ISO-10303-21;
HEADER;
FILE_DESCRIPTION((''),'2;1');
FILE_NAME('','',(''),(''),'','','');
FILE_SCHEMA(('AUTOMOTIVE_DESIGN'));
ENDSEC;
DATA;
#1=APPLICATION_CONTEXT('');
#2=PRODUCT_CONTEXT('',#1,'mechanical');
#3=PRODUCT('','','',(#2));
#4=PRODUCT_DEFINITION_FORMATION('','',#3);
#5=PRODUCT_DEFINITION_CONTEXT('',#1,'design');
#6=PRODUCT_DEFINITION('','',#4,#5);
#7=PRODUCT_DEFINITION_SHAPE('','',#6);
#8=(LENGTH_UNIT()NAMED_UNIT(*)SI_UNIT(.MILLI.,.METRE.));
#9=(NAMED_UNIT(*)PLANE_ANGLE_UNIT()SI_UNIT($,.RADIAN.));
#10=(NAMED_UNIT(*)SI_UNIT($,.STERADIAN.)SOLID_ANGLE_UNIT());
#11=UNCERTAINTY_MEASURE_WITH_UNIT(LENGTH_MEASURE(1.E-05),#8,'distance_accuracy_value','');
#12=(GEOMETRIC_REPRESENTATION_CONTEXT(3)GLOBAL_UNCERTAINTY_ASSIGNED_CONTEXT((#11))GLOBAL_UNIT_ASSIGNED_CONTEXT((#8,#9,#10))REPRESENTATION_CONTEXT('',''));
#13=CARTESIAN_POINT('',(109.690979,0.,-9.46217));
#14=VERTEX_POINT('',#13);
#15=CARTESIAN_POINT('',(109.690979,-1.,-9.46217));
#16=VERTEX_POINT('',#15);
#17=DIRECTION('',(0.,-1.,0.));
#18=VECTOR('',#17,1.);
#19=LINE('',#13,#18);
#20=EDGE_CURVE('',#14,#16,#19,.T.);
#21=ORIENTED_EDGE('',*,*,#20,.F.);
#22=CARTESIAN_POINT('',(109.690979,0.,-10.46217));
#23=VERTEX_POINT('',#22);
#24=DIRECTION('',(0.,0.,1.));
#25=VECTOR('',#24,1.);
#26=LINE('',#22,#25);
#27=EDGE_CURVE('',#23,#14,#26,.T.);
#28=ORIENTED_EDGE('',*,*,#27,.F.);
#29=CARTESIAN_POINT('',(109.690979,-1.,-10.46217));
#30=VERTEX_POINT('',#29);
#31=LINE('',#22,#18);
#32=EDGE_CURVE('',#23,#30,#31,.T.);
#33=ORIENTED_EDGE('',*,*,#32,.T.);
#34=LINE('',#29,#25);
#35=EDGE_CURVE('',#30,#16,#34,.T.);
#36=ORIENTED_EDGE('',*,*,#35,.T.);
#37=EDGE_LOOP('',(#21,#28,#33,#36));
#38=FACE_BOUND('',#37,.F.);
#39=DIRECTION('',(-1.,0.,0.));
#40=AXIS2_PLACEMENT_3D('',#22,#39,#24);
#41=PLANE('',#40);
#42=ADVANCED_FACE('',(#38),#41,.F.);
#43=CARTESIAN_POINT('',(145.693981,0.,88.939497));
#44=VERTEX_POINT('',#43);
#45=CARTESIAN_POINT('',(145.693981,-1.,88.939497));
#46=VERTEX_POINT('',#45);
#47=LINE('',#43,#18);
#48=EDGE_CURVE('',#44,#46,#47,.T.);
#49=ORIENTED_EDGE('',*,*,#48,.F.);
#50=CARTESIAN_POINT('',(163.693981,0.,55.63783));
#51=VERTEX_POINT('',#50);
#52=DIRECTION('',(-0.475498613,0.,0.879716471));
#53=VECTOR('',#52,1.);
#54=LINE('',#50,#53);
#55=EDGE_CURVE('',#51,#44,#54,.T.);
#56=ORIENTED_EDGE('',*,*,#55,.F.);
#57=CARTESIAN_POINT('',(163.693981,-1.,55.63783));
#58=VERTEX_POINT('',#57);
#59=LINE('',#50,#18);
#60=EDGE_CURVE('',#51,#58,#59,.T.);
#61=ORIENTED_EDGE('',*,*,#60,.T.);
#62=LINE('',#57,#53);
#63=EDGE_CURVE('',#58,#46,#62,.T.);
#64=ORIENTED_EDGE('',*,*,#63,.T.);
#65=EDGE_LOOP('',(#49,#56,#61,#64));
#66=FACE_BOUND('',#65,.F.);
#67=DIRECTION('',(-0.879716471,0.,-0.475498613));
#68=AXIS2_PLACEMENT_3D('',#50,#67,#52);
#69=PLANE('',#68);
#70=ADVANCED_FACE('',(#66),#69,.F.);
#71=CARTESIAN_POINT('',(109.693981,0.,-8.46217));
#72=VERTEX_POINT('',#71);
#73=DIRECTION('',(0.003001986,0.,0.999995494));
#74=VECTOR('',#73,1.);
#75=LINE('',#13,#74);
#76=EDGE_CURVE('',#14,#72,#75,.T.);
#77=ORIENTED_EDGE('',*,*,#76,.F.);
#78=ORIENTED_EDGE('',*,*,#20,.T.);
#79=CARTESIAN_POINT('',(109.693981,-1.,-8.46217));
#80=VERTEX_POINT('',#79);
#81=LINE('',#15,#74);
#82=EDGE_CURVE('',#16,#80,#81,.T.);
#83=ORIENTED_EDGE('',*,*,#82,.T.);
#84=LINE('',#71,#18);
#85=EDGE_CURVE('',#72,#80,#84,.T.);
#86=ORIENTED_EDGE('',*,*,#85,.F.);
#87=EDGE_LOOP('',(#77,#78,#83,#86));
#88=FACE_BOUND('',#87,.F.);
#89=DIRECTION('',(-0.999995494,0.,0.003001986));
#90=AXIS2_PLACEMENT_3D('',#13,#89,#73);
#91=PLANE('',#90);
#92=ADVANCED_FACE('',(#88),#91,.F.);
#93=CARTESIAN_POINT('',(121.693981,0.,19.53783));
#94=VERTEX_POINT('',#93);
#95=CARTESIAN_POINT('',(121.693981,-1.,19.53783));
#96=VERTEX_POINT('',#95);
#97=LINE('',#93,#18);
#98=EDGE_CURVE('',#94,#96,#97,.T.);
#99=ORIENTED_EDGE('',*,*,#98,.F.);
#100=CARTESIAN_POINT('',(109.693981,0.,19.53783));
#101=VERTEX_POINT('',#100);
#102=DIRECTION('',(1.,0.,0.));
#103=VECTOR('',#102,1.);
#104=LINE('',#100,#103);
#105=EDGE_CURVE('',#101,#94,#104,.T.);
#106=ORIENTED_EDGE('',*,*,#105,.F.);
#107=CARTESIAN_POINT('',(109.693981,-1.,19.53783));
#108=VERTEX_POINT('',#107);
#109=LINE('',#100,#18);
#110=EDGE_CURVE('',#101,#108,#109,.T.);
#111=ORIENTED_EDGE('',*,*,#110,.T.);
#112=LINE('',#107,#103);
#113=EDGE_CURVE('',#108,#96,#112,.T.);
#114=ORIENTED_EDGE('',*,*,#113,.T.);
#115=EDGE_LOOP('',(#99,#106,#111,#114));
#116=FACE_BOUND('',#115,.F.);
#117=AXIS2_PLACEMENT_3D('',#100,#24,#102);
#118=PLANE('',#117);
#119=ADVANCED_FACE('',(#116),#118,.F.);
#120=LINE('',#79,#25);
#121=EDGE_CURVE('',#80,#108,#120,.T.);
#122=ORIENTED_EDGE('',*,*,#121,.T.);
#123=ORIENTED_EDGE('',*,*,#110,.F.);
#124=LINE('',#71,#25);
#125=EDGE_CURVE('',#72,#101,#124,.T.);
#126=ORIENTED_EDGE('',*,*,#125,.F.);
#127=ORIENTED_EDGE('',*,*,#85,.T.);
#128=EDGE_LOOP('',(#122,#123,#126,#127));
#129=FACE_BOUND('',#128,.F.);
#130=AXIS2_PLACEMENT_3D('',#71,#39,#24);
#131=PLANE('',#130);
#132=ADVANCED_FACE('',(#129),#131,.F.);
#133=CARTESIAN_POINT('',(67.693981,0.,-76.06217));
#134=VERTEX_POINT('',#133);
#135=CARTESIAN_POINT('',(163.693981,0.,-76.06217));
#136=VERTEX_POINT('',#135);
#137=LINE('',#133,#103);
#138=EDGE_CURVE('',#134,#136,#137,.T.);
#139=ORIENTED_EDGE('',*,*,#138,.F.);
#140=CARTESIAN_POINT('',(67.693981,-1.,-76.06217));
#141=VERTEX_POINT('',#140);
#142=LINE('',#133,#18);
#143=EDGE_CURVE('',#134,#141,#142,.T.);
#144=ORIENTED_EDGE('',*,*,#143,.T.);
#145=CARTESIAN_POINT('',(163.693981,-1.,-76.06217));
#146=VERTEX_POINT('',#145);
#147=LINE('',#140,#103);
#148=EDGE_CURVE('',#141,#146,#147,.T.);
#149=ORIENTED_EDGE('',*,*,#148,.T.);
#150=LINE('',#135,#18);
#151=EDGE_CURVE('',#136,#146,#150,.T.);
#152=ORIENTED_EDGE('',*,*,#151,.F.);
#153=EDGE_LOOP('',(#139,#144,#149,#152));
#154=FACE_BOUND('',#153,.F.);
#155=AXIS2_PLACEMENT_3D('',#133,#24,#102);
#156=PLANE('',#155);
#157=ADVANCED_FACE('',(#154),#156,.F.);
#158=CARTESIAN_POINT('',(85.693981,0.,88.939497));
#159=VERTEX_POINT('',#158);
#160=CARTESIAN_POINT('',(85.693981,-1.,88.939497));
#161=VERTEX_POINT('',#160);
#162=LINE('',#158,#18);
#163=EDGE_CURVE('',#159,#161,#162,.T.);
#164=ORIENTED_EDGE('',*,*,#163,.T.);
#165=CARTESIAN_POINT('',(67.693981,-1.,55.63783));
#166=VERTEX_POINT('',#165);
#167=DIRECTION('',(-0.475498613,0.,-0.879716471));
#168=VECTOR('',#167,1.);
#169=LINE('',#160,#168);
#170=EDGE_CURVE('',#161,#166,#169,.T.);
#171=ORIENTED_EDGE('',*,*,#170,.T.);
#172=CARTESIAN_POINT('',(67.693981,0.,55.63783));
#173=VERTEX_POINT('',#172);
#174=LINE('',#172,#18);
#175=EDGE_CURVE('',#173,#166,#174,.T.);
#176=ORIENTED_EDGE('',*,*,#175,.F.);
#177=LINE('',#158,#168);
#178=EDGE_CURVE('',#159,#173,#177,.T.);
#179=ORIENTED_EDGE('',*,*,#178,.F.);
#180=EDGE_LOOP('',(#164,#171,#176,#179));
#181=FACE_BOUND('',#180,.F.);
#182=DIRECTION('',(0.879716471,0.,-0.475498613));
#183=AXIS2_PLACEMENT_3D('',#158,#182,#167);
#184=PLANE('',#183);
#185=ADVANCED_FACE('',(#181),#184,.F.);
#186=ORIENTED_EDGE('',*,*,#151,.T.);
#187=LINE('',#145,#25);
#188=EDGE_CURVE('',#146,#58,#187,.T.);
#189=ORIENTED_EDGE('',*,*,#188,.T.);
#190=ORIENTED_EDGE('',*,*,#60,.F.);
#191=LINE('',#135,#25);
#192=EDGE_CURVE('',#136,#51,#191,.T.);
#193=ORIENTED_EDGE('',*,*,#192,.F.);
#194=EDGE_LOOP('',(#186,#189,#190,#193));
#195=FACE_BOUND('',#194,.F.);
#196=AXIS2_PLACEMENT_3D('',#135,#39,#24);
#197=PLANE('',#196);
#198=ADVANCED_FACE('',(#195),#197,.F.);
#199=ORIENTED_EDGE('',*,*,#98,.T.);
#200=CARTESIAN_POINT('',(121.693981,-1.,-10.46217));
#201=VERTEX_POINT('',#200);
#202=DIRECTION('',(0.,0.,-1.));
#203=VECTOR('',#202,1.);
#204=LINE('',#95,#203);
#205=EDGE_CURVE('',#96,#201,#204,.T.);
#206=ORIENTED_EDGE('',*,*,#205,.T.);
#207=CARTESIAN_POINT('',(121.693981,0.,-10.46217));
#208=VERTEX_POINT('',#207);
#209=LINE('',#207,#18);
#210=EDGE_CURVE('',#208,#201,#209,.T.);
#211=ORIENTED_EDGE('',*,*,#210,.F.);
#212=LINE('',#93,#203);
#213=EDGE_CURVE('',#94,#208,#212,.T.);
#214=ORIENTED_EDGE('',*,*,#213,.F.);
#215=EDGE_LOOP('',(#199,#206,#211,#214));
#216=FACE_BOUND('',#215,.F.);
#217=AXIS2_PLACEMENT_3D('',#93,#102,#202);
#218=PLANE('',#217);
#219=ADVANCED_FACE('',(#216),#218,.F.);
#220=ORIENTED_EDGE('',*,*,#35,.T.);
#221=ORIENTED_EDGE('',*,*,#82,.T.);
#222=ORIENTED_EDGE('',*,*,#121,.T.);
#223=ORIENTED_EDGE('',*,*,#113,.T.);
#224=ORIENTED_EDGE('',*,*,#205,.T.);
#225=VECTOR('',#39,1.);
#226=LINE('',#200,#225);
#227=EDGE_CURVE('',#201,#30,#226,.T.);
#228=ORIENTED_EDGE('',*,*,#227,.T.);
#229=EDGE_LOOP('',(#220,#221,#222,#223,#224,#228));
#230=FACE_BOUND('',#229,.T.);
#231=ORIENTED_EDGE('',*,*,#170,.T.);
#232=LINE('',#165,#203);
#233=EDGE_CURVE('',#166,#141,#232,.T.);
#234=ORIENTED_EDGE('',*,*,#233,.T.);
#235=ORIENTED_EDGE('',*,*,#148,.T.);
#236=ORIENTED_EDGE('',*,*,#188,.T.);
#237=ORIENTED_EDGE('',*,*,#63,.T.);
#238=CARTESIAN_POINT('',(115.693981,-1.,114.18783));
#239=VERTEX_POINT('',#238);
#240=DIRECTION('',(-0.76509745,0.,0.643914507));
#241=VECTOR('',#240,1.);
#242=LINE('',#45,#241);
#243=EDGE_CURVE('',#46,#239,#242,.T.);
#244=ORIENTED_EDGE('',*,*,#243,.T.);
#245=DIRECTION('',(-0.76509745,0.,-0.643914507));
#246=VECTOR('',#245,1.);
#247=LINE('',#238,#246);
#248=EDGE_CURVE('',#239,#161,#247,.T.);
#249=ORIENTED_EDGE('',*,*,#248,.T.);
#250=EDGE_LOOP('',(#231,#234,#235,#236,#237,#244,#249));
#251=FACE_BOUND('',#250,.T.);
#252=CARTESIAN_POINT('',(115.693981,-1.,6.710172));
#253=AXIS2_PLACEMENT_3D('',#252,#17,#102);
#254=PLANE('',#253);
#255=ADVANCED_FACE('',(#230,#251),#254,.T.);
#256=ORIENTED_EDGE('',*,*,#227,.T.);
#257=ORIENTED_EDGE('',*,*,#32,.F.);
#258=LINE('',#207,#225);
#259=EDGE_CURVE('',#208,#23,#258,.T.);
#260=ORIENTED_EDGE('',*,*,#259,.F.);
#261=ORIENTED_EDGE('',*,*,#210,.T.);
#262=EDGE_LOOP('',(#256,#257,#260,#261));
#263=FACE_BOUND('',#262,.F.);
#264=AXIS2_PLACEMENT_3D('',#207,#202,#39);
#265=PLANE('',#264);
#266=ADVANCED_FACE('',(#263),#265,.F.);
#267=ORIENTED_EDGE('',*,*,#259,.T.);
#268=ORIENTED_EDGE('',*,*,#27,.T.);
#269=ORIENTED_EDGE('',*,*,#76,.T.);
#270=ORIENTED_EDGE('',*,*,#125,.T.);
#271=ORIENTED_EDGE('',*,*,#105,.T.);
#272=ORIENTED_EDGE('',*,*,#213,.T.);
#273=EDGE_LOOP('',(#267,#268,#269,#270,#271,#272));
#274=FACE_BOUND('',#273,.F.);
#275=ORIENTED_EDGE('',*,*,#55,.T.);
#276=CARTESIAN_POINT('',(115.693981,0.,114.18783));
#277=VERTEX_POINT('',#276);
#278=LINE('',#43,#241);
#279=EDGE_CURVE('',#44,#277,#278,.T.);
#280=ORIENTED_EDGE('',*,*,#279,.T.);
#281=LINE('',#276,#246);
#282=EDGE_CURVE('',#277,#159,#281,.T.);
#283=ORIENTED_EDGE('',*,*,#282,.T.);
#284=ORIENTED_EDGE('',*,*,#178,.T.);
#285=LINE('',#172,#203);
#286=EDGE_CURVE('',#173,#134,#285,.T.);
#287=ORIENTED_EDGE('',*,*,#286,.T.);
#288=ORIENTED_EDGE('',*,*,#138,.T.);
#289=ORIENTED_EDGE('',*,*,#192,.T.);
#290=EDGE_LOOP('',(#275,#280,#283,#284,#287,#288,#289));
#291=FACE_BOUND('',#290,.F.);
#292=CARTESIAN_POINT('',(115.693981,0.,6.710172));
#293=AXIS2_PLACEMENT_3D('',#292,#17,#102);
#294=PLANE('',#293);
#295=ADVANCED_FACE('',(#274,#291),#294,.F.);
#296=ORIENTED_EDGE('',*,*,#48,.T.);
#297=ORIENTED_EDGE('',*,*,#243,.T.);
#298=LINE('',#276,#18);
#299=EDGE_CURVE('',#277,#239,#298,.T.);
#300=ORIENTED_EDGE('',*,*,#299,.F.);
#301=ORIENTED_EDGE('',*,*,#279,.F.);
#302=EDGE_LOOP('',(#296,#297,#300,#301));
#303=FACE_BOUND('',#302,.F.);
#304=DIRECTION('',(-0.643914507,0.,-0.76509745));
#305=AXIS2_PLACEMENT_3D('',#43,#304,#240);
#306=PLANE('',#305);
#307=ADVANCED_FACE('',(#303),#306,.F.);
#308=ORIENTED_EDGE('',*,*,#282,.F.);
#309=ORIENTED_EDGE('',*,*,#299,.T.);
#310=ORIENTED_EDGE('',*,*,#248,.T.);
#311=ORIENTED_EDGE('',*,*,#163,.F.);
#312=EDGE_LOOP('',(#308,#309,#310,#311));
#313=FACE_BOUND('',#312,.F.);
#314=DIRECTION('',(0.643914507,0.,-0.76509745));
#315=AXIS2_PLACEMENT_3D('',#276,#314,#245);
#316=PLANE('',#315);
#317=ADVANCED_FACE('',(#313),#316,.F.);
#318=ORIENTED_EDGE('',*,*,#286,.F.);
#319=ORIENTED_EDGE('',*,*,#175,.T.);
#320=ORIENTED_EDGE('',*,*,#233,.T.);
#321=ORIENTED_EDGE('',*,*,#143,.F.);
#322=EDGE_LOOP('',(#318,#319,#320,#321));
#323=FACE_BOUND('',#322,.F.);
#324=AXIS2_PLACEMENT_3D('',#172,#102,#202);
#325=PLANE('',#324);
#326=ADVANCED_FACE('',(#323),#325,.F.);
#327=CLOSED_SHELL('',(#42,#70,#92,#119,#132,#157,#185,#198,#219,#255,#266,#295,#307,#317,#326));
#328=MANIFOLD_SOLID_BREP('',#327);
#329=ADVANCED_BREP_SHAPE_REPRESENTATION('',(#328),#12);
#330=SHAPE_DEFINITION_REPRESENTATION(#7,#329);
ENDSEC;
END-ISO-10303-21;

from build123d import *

# Parameters (mm, degrees)
F1_DEPTH = 1


with BuildPart() as f1:
    # F0 (on Front) → F1 (new body)
    with BuildSketch(Plane.XZ):
        Polygon((163.693981, -76.06217), (163.693981, -53.31217), (163.693981, -20.56217), (163.693981, 52.43783), (163.693981, 55.63783), (145.693981, 88.939497), (115.693981, 114.18783), (85.693981, 88.939497), (67.693981, 55.63783), (67.693981, -53.31217), (67.693981, -76.06217), align=None)
        Polygon((109.693981, -8.46217), (109.693981, 19.53783), (121.693981, 19.53783), (121.693981, -8.46217), (121.693981, -9.46217), (121.693981, -10.46217), (109.690979, -10.46217), (109.690979, -9.46217), align=None, mode=Mode.SUBTRACT)
    extrude(amount=F1_DEPTH)


solid = f1.part
